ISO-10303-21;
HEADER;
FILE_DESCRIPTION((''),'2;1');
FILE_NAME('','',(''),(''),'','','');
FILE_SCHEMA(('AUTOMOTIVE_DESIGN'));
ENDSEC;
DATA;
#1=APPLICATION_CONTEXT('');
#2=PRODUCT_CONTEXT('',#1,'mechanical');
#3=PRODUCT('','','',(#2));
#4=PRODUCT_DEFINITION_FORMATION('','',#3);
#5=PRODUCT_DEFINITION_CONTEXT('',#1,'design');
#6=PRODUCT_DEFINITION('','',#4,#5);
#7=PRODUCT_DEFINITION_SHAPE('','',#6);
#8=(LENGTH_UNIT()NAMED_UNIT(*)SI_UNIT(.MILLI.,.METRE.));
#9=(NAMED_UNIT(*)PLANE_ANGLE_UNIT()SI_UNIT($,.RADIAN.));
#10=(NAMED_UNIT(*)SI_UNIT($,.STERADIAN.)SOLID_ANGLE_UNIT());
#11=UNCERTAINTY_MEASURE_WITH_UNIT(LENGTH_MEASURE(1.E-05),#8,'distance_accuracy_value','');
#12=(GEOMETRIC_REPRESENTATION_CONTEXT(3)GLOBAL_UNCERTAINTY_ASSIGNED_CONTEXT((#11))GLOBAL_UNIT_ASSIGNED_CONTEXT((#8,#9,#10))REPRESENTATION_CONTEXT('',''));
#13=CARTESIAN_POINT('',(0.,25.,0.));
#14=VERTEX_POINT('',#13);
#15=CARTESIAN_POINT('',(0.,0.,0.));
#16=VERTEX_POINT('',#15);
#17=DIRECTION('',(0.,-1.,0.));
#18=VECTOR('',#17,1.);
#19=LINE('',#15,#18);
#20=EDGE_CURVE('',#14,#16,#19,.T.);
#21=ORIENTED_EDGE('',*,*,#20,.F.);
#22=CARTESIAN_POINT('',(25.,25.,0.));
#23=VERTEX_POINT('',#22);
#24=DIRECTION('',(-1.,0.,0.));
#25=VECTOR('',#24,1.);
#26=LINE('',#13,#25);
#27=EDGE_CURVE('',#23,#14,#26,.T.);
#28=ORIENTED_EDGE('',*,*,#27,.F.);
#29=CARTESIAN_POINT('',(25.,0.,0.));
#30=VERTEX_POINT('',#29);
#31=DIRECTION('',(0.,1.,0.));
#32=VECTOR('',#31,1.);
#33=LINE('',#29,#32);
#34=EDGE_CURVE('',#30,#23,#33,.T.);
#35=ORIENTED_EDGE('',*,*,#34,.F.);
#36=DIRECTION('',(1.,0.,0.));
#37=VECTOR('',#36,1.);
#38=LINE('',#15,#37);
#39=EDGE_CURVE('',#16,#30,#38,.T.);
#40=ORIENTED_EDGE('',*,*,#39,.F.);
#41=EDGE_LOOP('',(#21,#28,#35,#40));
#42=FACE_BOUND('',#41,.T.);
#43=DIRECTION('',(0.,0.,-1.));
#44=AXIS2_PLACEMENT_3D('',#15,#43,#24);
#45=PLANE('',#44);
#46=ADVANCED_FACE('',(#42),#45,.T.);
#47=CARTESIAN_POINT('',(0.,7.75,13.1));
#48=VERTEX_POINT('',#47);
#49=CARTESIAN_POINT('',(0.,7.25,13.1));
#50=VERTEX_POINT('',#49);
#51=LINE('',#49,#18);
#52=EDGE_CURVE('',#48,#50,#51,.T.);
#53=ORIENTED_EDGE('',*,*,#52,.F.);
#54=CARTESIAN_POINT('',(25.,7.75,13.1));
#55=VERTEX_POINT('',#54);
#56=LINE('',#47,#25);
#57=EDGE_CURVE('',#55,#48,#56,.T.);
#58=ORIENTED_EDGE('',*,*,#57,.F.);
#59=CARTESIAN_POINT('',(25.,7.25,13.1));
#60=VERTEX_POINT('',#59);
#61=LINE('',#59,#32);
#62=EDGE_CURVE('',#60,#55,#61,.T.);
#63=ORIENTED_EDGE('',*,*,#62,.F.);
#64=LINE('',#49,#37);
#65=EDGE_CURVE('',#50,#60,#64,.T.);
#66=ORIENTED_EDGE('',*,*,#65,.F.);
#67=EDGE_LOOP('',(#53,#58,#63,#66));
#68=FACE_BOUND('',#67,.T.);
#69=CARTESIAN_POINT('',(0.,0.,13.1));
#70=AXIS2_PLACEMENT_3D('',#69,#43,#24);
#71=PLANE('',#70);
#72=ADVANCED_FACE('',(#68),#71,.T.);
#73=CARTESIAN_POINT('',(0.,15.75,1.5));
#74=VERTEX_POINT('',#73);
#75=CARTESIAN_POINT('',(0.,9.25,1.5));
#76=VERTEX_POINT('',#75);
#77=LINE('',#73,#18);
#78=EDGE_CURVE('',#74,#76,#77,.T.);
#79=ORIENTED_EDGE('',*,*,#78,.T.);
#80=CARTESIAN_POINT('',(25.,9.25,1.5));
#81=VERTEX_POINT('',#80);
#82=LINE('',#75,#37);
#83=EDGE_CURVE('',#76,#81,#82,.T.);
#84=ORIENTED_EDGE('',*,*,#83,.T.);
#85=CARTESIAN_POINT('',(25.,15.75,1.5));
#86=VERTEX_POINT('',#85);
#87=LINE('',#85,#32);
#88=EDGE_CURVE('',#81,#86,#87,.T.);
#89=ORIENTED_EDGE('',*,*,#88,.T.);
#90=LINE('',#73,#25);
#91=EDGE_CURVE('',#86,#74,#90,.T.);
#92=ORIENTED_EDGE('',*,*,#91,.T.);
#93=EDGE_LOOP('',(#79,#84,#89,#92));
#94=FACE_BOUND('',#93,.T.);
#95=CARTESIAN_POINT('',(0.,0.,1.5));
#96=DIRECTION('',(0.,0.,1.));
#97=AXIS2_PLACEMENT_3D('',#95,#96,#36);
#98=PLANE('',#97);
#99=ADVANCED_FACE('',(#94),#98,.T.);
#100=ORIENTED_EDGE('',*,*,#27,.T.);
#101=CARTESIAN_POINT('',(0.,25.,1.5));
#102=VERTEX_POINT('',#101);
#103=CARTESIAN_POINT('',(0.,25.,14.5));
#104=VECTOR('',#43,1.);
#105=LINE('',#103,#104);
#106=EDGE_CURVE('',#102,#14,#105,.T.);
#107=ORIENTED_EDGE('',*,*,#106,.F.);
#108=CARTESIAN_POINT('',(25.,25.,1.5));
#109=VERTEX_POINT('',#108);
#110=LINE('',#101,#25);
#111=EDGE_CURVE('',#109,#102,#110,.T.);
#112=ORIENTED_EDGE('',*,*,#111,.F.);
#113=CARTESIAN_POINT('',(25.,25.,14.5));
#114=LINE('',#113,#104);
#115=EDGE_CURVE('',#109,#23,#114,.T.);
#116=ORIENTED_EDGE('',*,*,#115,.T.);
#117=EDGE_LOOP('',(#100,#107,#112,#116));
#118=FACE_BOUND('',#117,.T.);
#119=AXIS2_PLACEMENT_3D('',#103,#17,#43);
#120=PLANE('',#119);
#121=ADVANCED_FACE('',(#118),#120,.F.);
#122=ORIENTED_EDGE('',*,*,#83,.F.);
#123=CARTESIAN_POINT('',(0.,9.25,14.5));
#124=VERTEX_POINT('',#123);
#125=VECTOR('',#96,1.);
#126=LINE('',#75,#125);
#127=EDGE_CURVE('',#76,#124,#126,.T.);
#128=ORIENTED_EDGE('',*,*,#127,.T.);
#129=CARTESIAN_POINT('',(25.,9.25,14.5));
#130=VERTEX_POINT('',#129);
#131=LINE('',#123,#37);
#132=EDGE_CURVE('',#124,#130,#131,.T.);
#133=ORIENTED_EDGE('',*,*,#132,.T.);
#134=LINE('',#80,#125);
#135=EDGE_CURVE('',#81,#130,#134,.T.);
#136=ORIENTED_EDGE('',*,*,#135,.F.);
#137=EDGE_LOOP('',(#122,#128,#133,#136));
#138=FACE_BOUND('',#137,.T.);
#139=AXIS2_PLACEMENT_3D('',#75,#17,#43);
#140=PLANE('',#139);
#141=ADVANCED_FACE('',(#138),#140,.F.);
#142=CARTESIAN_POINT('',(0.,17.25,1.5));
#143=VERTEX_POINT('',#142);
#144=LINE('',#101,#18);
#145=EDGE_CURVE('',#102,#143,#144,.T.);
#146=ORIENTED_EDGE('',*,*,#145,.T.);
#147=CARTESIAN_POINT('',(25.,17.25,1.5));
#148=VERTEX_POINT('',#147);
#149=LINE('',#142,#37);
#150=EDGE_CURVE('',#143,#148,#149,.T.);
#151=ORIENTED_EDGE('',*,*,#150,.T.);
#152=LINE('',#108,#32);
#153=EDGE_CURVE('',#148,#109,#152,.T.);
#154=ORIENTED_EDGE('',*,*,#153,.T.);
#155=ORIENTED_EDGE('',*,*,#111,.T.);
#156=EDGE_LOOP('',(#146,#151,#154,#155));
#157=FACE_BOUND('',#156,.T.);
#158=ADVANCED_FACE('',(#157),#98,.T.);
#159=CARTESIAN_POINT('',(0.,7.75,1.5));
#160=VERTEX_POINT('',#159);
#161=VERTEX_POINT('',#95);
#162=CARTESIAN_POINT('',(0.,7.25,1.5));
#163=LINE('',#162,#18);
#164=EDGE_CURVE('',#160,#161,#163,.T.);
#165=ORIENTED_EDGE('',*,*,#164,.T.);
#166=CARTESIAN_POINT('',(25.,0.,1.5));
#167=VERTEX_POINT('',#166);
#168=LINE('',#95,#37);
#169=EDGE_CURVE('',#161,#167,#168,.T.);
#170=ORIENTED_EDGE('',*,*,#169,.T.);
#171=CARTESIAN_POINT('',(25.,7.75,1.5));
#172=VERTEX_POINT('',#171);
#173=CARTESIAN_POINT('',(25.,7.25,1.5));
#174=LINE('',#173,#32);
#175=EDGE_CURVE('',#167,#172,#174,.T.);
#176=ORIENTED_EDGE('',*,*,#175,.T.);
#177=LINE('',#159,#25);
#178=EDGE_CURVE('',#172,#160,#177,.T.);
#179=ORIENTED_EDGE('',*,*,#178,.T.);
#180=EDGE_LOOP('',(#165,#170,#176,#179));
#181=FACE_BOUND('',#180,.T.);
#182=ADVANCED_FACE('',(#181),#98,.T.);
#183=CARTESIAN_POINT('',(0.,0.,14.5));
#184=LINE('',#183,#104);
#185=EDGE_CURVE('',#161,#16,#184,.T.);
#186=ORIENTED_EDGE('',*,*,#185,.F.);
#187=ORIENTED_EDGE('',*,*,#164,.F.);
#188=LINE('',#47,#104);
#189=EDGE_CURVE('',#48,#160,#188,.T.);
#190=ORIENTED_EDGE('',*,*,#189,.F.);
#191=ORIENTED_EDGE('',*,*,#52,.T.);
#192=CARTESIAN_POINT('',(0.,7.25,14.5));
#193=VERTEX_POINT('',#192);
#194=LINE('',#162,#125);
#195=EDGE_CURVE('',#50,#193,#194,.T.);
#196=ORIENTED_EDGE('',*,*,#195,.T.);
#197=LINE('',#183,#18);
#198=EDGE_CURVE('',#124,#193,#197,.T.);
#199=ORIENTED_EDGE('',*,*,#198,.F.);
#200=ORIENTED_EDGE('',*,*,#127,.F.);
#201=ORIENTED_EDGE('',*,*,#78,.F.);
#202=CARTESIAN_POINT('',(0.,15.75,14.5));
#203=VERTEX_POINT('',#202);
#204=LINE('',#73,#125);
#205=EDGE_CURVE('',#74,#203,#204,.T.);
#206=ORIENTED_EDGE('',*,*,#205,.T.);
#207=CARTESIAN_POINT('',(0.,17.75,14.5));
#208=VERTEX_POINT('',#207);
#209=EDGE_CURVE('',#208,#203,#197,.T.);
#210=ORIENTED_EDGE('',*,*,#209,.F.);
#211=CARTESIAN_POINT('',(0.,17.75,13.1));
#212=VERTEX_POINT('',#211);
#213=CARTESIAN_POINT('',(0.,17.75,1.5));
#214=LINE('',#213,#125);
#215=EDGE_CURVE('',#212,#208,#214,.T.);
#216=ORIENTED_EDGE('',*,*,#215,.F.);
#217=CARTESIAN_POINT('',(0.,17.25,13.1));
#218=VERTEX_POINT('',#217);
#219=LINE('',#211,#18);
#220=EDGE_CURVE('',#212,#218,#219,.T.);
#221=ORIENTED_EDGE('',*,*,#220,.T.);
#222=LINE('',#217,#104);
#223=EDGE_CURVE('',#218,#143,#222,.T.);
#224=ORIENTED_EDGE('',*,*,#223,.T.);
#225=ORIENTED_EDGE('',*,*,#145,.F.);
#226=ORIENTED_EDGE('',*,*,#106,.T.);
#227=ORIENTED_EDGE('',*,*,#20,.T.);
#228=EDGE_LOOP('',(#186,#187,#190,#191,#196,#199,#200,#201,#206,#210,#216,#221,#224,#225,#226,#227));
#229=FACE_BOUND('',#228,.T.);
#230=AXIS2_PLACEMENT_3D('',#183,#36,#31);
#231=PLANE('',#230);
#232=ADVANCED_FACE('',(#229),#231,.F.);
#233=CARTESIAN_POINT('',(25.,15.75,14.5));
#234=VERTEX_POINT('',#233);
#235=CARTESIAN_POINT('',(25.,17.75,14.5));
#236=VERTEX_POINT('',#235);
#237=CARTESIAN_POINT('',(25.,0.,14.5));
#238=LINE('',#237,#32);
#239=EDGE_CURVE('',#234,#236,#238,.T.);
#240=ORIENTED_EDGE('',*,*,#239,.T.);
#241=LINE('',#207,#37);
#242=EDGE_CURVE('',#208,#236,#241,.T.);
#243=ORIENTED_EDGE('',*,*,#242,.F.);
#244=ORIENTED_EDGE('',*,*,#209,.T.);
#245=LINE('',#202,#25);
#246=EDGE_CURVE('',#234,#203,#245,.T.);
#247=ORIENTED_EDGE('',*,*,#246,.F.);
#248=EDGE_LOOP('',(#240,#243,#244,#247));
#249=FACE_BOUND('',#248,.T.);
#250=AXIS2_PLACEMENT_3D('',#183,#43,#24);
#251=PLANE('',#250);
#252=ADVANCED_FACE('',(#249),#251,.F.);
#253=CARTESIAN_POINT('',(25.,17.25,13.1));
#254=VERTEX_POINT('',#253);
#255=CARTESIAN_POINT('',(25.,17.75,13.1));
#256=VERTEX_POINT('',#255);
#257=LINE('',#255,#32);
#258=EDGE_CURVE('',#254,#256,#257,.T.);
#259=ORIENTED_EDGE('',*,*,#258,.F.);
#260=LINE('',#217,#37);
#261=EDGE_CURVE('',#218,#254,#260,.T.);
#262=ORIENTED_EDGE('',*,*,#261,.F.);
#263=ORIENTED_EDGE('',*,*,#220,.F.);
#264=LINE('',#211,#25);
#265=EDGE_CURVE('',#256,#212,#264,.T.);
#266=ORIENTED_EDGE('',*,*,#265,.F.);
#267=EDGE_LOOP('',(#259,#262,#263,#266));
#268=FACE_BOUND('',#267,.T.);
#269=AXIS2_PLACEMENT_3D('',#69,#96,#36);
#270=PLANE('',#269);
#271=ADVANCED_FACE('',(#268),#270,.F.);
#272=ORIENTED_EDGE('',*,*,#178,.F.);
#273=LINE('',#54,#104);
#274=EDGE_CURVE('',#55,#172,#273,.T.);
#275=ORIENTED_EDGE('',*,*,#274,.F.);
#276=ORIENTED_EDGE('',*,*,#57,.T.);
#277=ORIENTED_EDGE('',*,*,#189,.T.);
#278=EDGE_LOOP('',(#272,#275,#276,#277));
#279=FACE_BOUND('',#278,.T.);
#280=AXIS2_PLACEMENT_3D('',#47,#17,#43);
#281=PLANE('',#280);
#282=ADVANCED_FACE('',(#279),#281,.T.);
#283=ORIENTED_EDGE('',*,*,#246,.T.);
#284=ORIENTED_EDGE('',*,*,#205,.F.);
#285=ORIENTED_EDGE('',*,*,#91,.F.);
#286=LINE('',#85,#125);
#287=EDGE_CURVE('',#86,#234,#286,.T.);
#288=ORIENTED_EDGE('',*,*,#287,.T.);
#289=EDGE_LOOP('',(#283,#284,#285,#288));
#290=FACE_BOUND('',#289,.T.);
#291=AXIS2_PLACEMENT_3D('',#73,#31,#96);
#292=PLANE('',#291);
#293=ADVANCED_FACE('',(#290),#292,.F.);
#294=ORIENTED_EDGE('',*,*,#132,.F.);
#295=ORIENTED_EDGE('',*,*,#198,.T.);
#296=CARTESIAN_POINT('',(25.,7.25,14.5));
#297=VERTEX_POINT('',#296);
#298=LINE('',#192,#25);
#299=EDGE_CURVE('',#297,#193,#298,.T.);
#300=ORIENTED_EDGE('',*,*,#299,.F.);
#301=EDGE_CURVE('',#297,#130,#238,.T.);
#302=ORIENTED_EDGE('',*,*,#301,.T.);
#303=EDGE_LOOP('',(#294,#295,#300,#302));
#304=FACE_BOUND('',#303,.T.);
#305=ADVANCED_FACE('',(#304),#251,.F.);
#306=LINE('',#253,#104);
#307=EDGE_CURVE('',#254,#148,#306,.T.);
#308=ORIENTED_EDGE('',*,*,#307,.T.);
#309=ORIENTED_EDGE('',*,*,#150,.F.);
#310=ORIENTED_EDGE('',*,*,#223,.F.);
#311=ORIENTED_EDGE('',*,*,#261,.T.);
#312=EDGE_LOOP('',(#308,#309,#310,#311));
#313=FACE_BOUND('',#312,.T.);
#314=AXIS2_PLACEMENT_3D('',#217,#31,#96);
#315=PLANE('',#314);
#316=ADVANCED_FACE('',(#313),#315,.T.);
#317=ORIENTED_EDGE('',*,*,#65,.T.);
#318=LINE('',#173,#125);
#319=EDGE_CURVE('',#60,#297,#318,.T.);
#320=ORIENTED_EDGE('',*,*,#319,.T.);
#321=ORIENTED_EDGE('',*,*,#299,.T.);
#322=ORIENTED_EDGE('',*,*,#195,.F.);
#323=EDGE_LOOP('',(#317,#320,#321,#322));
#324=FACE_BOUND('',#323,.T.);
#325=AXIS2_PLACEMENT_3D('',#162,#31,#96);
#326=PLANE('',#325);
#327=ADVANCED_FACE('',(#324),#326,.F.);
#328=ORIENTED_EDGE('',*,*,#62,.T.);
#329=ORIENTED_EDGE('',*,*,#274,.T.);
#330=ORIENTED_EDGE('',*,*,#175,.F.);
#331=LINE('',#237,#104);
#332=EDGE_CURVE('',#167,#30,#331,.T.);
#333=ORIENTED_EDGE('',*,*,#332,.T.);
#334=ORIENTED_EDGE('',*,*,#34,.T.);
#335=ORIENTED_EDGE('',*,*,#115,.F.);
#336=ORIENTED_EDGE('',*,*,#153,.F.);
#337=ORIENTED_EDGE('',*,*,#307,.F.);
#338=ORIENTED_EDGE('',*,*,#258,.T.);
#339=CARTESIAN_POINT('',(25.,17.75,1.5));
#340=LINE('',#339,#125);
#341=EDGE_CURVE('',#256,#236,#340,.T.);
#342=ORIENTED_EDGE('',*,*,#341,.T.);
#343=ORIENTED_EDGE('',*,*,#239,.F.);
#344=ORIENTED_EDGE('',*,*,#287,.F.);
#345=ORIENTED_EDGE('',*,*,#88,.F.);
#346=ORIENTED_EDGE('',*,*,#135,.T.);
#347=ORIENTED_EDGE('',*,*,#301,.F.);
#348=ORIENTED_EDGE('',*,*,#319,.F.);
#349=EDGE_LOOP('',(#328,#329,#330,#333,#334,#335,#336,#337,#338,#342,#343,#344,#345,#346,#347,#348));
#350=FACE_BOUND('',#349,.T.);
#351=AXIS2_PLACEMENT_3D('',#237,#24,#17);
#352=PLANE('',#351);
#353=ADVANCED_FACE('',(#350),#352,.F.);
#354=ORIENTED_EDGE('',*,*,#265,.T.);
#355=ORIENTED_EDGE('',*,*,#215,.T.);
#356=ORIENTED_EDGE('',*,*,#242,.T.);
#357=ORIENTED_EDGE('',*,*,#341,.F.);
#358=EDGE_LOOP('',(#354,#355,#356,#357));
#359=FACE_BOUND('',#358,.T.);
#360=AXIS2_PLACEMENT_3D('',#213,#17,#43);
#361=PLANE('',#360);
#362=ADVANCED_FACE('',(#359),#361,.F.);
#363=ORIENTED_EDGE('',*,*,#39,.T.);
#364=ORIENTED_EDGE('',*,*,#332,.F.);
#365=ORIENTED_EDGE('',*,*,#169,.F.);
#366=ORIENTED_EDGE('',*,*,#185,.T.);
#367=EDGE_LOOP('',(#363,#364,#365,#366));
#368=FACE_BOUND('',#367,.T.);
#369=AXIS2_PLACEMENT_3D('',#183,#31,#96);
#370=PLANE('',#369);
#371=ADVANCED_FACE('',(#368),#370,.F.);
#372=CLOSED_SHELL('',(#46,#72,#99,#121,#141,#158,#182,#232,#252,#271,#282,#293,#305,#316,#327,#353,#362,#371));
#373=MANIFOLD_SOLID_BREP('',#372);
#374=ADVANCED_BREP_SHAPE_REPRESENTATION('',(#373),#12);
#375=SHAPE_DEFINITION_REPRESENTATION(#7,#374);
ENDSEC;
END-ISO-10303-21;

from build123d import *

# Parameters (mm, degrees)
SKETCH_1_W          = 25
SKETCH_1_H          = 25
EXTRUDE_1_DEPTH     = 14.5
SKETCH_2_W          = 25
SKETCH_2_H          = 7.25
SKETCH_2_H_2        = 6.5
CUT_EXTRUDE_1_DEPTH = 13
SKETCH_3_W          = 25
SKETCH_3_H          = 0.5
CUT_EXTRUDE_2_DEPTH = 11.6


with BuildPart() as part:
    # Эскиз1 → Бобышка-Вытянуть1 (new body)
    with BuildSketch(Plane.XY):
        with Locations((12.5, 12.5)):
            Rectangle(SKETCH_1_W, SKETCH_1_H)
    extrude(amount=EXTRUDE_1_DEPTH)

    # Эскиз2 → Вырез-Вытянуть1 (cut)
    with BuildSketch(Plane.XY.offset(14.5)):
        with Locations((12.5, 21.375)):
            Rectangle(SKETCH_2_W, SKETCH_2_H)
        with Locations((12.5, 12.5)):
            Rectangle(SKETCH_2_W, SKETCH_2_H_2)
        with Locations((12.5, 3.625)):
            Rectangle(SKETCH_2_W, SKETCH_2_H)
    extrude(amount=-CUT_EXTRUDE_1_DEPTH, mode=Mode.SUBTRACT)

    # Эскиз3 → Вырез-Вытянуть2 (cut)
    with BuildSketch(Plane.XY.offset(1.5)):
        with Locations((12.5, 17.5)):
            Rectangle(SKETCH_3_W, SKETCH_3_H)
        with Locations((12.5, 7.5)):
            Rectangle(SKETCH_3_W, SKETCH_3_H)
    extrude(amount=CUT_EXTRUDE_2_DEPTH, mode=Mode.SUBTRACT)


solid = part.part
